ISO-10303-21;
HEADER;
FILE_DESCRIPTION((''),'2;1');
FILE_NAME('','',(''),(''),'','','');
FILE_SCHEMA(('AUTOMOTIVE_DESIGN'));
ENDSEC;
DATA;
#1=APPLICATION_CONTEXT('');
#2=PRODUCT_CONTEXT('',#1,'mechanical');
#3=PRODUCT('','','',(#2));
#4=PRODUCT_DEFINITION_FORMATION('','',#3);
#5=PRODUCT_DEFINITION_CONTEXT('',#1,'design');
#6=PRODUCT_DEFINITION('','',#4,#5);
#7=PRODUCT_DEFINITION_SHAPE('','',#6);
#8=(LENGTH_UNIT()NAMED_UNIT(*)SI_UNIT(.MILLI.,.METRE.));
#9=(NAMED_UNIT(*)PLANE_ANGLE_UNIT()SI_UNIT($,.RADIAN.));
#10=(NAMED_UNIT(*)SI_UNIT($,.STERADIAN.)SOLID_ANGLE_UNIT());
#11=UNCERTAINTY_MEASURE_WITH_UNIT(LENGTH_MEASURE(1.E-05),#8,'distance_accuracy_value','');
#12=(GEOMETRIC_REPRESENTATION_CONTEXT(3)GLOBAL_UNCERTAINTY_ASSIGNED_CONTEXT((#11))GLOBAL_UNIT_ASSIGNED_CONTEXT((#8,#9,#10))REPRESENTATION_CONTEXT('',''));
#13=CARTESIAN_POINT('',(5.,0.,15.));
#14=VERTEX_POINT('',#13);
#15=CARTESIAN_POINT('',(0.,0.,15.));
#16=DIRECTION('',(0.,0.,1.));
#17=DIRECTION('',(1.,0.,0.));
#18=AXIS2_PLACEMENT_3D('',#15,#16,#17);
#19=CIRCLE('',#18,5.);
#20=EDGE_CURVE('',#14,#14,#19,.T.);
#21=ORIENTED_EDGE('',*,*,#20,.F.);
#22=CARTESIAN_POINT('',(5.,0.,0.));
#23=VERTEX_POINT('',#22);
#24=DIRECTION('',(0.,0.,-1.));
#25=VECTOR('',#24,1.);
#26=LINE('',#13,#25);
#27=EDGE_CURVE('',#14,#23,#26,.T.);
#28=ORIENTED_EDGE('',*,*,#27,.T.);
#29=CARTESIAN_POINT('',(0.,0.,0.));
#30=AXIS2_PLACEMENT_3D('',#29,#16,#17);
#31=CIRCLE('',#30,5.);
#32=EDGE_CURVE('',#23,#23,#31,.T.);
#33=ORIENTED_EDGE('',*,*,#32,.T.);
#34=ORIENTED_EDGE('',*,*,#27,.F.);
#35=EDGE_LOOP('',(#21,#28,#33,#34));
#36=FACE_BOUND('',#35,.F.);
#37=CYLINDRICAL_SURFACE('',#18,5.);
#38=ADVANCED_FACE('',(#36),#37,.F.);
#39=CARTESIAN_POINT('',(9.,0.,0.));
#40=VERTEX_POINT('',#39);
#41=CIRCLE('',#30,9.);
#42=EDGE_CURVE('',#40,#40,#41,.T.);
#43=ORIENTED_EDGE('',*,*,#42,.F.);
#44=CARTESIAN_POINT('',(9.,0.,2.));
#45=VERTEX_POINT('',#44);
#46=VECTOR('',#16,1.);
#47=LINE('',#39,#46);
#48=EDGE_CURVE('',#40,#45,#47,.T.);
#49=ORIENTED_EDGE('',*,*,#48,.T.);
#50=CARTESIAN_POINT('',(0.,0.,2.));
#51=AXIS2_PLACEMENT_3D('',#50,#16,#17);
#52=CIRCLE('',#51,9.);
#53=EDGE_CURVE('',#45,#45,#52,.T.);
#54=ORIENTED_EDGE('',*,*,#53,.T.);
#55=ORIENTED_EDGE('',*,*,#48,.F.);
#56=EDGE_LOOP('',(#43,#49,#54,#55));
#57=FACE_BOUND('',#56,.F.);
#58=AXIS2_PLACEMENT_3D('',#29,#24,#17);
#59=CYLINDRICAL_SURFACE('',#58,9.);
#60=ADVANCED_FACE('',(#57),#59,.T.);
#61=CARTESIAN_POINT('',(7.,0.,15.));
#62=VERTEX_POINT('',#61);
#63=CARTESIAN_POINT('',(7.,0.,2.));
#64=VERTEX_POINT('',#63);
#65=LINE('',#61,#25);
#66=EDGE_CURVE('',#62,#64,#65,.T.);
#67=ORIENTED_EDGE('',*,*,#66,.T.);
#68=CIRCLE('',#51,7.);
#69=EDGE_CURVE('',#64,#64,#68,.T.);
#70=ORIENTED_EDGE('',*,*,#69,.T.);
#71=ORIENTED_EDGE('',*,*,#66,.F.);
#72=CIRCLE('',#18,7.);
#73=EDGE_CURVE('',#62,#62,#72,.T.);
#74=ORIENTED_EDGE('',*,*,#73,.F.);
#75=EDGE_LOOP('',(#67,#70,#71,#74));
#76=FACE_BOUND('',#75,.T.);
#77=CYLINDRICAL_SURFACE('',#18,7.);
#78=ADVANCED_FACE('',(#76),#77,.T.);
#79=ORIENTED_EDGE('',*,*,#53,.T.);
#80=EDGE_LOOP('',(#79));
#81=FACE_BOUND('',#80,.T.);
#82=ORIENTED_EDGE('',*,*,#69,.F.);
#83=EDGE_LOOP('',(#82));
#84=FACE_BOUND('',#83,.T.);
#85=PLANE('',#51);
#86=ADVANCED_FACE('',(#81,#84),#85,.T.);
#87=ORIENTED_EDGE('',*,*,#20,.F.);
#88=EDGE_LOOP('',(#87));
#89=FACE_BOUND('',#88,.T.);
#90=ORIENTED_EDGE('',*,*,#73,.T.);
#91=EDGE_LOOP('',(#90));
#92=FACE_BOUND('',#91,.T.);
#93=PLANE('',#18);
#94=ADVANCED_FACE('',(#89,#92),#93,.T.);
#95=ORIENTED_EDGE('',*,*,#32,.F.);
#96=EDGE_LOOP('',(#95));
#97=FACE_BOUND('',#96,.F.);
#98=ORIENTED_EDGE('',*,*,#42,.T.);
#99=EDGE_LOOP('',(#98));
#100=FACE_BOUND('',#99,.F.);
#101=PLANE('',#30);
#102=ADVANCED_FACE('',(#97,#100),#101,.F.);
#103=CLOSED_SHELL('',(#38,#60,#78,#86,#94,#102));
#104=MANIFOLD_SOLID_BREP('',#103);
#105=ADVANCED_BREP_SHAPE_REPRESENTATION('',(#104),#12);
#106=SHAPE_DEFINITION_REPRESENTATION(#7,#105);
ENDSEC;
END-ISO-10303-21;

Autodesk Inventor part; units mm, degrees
ref_plane "YZ Plane" through (0, 0, 0) normal (1, 0, 0) x (0, 1, 0)
ref_plane "XZ Plane" through (0, 0, 0) normal (0, 1, 0) x (-1, 0, 0)
ref_plane "XY Plane" through (0, 0, 0) normal (0, 0, 1) x (1, 0, 0)
sketch "Sketch1" plane through (0, 0, 0) normal (0, 0, 1) x (1, 0, 0)
  circle A0 centre (0, 0) radius 9
  dimension "d0" = 18
extrude "Extrusion1" add sketch "Sketch1" along normal blind 15
sketch "Sketch2" plane through (0, 0, 15) normal (0, 0, 1) x (1, 0, 0)
  circle A0 centre (0, 0) radius 9 projected
  circle A1 centre (0, 0) radius 7
  dimension "d3" = 14
extrude "Extrusion2" cut sketch "Sketch2" against normal blind 13
sketch "Sketch3" plane through (0, 0, 15) normal (0, 0, 1) x (1, 0, 0)
  circle A0 centre (0, 0) radius 7 projected
  circle A1 centre (0, 0) radius 5
  dimension "d6" = 10
extrude "Extrusion3" cut sketch "Sketch3" against normal blind 15 contours A1
properties part number "BUCHA DA PLACA(38)" material "Bronze, Soft Tin"
